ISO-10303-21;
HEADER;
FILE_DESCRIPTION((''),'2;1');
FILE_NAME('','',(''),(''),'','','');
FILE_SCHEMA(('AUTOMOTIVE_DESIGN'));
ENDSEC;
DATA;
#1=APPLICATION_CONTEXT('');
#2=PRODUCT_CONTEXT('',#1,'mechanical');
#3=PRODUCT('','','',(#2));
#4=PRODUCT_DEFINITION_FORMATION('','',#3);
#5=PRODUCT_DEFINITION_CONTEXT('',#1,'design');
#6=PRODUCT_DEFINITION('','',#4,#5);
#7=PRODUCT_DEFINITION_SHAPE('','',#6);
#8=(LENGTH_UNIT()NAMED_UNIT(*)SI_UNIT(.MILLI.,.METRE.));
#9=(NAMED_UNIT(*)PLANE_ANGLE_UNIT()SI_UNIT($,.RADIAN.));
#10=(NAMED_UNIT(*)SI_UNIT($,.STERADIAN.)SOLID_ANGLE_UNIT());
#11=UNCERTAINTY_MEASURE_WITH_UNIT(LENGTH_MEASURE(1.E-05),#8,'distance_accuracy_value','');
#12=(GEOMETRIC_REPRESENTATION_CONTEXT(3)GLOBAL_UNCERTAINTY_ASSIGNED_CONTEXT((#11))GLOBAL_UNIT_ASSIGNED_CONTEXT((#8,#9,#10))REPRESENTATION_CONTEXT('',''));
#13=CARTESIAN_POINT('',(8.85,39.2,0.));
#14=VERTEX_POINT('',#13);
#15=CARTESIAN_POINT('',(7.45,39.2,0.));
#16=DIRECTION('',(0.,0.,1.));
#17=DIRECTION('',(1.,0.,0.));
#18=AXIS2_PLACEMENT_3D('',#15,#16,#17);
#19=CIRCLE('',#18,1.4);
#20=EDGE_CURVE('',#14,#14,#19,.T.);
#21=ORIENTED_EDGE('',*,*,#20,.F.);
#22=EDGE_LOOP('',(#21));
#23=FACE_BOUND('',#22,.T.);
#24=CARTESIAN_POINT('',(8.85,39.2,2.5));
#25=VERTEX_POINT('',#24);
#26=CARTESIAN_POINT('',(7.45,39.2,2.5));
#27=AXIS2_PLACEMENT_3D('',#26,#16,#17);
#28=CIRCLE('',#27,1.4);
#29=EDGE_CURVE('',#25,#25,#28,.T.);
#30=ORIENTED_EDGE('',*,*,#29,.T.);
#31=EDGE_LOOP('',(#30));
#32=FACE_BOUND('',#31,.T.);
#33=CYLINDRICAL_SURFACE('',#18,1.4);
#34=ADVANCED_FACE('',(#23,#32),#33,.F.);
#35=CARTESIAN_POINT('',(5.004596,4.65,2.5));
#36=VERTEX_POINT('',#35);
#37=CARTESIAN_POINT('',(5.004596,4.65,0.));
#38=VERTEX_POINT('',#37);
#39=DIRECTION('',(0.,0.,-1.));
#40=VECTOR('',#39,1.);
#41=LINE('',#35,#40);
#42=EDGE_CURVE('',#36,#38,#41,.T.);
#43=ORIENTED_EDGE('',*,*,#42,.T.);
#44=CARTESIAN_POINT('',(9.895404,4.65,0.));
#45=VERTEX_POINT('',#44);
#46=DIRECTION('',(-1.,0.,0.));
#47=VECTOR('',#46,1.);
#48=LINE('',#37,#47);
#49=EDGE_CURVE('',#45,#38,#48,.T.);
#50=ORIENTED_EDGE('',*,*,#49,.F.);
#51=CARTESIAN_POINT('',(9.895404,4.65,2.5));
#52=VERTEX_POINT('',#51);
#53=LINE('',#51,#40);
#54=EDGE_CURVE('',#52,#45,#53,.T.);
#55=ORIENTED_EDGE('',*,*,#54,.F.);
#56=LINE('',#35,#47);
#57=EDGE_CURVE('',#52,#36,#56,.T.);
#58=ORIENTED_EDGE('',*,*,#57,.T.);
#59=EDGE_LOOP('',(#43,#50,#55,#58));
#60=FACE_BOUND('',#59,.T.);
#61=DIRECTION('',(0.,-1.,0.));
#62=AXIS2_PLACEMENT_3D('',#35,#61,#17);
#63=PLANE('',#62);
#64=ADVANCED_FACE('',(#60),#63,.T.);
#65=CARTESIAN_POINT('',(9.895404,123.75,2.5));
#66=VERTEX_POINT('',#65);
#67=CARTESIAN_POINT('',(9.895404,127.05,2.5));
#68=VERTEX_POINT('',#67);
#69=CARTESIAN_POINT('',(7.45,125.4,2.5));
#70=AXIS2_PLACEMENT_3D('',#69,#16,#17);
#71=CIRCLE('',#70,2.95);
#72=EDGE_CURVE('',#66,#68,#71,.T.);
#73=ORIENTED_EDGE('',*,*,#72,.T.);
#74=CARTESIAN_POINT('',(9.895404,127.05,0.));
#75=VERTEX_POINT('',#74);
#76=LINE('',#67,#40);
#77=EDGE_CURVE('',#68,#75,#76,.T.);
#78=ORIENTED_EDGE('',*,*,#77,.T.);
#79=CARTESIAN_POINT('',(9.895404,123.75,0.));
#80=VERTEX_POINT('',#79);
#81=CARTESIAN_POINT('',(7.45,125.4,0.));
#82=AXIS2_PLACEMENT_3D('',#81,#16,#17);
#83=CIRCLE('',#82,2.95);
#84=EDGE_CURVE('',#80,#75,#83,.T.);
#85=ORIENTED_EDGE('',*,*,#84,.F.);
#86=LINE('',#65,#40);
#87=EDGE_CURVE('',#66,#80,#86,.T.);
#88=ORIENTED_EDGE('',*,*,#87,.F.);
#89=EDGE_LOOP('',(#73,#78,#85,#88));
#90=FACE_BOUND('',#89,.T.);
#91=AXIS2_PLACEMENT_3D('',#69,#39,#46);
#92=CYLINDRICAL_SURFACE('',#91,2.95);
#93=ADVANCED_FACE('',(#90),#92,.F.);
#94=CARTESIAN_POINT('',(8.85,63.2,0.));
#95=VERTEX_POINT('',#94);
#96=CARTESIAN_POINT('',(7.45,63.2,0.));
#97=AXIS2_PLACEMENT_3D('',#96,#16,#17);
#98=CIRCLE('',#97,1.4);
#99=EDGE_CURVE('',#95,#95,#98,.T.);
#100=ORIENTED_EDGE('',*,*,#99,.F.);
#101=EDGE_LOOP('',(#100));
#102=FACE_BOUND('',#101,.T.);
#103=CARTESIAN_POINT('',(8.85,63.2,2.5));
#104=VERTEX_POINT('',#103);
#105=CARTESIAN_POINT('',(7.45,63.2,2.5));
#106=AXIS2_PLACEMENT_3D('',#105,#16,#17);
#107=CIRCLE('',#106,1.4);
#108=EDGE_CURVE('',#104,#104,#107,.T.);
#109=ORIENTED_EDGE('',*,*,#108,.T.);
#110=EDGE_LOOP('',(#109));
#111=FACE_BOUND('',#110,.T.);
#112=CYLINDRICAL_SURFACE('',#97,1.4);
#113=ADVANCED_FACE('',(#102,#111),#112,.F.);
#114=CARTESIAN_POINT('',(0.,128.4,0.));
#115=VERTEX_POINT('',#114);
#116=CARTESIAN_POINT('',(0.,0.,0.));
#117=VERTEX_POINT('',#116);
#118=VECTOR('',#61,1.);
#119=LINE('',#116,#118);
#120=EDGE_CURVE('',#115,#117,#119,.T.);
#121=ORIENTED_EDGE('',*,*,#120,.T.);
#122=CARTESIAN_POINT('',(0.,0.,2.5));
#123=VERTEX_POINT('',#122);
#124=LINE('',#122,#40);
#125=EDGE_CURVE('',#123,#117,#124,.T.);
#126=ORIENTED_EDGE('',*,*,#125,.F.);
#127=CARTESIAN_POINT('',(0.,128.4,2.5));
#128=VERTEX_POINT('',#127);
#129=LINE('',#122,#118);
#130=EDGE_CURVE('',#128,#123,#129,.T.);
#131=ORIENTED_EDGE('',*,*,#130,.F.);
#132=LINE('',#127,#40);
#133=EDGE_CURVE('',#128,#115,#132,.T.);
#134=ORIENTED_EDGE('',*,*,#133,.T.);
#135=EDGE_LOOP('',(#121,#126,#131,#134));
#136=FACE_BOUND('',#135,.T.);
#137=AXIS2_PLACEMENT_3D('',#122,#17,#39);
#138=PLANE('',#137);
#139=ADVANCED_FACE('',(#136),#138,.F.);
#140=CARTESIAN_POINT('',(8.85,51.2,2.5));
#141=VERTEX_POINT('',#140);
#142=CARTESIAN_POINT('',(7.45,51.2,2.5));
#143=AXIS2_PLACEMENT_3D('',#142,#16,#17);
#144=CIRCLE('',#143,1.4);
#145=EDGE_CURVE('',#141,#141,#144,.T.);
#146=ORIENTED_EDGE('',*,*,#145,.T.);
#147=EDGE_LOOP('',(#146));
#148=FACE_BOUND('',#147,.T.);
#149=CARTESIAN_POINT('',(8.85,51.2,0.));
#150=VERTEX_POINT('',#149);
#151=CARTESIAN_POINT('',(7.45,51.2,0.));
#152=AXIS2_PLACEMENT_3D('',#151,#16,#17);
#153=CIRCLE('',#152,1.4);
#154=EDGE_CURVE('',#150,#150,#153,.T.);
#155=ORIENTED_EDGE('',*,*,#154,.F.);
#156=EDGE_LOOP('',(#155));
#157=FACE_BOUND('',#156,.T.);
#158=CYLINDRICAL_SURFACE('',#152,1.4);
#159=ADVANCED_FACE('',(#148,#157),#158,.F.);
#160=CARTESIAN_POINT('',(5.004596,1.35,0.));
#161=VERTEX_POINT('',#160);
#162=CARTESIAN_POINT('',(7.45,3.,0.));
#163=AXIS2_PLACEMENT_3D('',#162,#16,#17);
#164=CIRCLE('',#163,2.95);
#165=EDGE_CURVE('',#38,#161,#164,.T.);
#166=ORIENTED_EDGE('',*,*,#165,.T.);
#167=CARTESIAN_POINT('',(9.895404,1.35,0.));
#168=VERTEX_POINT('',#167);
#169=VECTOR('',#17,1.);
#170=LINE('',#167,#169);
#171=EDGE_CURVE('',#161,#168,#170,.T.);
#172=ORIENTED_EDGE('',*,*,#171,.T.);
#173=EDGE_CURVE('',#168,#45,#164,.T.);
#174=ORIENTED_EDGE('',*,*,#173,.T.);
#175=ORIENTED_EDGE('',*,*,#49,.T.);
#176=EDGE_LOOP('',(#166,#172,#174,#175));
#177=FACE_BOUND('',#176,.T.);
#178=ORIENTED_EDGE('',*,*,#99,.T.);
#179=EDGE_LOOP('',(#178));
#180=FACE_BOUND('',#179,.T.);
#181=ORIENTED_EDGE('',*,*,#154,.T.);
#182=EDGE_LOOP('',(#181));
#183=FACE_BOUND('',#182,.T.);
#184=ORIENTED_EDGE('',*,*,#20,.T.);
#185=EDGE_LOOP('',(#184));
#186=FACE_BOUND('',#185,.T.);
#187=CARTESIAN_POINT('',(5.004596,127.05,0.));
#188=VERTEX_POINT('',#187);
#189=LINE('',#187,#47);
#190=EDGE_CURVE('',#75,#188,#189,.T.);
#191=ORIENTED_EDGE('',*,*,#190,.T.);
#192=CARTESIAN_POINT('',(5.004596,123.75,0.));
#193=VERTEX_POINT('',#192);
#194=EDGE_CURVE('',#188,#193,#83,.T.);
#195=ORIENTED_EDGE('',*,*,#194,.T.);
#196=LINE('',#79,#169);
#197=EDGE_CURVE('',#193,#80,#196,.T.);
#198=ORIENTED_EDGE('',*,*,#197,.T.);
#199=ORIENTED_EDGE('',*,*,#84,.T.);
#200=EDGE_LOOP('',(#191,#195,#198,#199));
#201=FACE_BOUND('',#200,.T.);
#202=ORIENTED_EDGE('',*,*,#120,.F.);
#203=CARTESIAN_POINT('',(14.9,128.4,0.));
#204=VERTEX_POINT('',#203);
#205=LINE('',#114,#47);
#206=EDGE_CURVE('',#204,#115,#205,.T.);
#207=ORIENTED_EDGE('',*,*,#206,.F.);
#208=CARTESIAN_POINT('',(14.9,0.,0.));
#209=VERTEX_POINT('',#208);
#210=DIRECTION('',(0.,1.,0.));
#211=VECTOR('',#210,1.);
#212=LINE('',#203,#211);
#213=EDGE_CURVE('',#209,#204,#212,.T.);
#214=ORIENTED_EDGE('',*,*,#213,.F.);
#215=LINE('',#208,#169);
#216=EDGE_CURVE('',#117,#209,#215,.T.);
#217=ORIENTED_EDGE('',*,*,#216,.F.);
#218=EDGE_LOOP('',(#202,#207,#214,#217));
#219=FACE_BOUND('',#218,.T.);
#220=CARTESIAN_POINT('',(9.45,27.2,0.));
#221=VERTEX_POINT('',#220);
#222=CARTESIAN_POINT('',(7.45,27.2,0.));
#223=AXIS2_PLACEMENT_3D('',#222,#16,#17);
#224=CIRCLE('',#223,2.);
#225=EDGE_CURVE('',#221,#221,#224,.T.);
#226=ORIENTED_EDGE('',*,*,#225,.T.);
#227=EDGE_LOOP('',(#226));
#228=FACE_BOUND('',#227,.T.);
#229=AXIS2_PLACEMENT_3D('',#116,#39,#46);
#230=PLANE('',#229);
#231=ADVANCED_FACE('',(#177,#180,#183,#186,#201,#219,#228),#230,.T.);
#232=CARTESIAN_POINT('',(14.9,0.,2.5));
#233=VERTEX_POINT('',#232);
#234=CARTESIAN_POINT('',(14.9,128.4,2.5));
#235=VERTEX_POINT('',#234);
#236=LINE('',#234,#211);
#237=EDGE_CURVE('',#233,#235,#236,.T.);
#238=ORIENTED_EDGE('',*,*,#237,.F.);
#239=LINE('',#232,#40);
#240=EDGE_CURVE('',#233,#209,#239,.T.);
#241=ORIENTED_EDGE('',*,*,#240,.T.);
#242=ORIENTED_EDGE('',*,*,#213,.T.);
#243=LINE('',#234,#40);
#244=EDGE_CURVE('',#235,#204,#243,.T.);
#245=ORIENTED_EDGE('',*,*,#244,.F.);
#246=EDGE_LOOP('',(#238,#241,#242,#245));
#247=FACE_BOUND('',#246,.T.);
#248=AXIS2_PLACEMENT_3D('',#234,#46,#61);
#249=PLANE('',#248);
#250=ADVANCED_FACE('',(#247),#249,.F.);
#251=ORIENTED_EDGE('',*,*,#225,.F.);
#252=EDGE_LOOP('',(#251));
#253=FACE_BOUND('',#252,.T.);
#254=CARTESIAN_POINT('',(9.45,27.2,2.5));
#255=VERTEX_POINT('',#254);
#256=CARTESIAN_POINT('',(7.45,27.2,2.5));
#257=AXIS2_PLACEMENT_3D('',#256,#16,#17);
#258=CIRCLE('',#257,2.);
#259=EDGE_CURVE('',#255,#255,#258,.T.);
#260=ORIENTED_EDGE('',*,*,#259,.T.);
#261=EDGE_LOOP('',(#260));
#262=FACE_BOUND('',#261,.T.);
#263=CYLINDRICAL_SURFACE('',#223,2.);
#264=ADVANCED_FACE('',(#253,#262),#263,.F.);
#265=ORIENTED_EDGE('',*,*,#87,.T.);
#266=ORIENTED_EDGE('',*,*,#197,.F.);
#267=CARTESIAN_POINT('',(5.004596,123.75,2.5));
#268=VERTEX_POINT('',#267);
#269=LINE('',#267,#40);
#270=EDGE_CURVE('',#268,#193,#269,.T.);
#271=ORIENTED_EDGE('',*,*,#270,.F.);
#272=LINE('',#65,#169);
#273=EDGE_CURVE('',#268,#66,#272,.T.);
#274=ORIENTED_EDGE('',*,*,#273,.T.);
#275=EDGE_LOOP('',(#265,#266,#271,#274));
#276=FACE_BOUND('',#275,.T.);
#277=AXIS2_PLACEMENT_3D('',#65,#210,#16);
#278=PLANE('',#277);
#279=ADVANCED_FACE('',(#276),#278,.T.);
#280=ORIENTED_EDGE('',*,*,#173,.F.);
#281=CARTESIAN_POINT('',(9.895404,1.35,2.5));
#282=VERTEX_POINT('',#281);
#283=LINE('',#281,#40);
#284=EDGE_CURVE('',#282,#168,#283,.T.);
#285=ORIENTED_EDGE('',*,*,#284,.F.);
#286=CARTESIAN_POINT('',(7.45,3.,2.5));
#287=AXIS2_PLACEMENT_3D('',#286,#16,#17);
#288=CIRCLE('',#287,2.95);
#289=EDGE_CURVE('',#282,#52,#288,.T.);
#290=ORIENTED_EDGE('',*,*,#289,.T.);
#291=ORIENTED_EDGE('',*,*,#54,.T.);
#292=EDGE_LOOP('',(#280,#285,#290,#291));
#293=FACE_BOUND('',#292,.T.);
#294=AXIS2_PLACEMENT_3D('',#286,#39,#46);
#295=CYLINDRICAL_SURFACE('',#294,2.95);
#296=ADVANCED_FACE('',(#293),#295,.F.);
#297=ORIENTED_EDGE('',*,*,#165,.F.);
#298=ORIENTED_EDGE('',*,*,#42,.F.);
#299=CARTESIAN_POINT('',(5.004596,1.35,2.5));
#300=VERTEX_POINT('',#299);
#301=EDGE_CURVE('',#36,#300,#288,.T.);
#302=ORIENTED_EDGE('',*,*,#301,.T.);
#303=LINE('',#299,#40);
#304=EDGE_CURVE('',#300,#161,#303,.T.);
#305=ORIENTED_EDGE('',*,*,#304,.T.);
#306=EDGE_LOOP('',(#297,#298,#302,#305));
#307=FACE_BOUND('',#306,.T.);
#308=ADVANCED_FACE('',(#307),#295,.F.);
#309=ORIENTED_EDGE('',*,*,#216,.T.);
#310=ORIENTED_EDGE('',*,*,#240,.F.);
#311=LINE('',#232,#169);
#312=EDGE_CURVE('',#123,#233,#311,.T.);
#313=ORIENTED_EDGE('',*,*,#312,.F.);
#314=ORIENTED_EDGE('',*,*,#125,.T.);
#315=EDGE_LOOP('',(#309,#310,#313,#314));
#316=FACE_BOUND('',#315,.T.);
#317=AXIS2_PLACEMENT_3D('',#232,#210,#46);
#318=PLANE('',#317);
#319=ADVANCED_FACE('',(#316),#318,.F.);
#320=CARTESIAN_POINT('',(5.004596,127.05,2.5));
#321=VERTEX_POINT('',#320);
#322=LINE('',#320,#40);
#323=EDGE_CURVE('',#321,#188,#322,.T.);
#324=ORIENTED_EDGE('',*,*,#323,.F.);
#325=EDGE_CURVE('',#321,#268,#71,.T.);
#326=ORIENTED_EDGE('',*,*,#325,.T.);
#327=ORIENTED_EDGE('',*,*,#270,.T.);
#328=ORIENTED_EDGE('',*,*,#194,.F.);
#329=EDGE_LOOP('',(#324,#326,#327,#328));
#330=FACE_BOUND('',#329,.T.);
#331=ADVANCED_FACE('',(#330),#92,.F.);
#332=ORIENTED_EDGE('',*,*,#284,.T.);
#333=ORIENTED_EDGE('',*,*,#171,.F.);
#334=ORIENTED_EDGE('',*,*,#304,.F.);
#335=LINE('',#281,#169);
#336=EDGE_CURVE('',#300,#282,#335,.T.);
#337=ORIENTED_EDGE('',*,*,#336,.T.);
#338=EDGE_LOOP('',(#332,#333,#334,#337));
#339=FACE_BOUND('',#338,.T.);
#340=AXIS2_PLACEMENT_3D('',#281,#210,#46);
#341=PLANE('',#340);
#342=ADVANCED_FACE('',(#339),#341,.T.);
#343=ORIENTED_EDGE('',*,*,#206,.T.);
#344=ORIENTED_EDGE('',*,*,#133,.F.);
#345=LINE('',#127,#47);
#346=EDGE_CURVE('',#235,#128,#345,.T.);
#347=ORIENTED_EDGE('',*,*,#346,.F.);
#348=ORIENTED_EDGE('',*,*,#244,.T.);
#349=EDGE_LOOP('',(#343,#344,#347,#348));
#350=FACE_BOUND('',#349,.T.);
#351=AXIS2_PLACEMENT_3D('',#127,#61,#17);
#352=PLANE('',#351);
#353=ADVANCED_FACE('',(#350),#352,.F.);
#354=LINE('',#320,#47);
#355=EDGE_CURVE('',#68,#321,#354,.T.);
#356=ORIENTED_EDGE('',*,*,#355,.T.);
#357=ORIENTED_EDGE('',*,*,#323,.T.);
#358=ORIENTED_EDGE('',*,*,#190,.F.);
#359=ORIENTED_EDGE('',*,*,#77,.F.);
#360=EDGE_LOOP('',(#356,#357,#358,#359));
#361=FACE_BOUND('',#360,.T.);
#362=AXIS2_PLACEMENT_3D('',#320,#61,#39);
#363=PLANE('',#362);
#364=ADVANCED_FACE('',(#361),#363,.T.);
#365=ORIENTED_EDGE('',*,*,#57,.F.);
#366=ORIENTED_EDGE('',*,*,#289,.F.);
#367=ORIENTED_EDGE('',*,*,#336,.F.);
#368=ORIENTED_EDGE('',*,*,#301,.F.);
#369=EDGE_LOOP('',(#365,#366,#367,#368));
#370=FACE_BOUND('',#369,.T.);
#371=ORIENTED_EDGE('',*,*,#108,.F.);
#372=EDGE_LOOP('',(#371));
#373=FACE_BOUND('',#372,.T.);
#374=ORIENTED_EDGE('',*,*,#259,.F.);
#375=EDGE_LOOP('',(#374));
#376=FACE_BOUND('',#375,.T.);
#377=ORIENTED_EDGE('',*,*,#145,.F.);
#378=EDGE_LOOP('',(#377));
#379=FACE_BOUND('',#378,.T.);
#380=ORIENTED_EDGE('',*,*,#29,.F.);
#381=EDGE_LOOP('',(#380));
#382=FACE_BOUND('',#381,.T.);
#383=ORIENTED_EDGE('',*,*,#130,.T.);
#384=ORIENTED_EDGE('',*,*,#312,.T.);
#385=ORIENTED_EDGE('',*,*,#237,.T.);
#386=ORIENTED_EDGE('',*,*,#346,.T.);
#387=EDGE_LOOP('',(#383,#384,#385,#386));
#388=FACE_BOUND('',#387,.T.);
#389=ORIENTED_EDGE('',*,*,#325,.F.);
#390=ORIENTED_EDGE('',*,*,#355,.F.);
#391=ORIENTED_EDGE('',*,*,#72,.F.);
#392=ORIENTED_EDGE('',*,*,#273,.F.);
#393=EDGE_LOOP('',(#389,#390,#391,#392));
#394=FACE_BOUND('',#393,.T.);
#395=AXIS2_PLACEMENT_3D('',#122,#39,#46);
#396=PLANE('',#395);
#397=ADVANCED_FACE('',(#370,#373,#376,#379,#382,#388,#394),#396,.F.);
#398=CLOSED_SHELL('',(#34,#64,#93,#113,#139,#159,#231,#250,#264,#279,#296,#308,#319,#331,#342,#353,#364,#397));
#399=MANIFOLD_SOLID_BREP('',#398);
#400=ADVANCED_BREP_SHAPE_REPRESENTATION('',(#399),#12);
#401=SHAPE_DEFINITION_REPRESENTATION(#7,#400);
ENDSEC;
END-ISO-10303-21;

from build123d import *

# Parameters (mm, degrees)
MODEL_W                 = 14.9
MODEL_H                 = 128.4
BOSS_EXTRU_1_DEPTH      = 2.5
ESQUISSE1_R             = 1.4
ESQUISSE1_R_2           = 2
ENL_V_MAT_EXTRU_1_DEPTH = 130.285807419


with BuildPart() as part:
    # Model → Boss.-Extru.1 (new body)
    with BuildSketch(Plane.XY):
        with Locations((7.45, 64.2)):
            Rectangle(MODEL_W, MODEL_H)
        with BuildLine():
            Line((9.895403852, 123.75), (5.004596148, 123.75))
            ThreePointArc((5.004596148, 123.75), (4.5, 125.4), (5.004596148, 127.05))
            Line((5.004596148, 127.05), (9.895403852, 127.05))
            ThreePointArc((9.895403852, 127.05), (10.4, 125.4), (9.895403852, 123.75))
        make_face(mode=Mode.SUBTRACT)
        with BuildLine():
            Line((9.895403852, 1.35), (5.004596148, 1.35))
            ThreePointArc((5.004596148, 1.35), (4.5, 3), (5.004596148, 4.65))
            Line((5.004596148, 4.65), (9.895403852, 4.65))
            ThreePointArc((9.895403852, 4.65), (10.4, 3), (9.895403852, 1.35))
        make_face(mode=Mode.SUBTRACT)
    extrude(amount=BOSS_EXTRU_1_DEPTH)

    # Esquisse1 → Enlèv. mat.-Extru.1 (cut, through all)
    with BuildSketch(Plane.XY.offset(2.5)):
        with Locations((7.45, 63.2)):
            Circle(ESQUISSE1_R)
        with Locations((7.45, 51.2)):
            Circle(ESQUISSE1_R)
        with Locations((7.45, 39.2)):
            Circle(ESQUISSE1_R)
        with Locations((7.45, 27.2)):
            Circle(ESQUISSE1_R_2)
    extrude(amount=-ENL_V_MAT_EXTRU_1_DEPTH, mode=Mode.SUBTRACT)


solid = part.part
